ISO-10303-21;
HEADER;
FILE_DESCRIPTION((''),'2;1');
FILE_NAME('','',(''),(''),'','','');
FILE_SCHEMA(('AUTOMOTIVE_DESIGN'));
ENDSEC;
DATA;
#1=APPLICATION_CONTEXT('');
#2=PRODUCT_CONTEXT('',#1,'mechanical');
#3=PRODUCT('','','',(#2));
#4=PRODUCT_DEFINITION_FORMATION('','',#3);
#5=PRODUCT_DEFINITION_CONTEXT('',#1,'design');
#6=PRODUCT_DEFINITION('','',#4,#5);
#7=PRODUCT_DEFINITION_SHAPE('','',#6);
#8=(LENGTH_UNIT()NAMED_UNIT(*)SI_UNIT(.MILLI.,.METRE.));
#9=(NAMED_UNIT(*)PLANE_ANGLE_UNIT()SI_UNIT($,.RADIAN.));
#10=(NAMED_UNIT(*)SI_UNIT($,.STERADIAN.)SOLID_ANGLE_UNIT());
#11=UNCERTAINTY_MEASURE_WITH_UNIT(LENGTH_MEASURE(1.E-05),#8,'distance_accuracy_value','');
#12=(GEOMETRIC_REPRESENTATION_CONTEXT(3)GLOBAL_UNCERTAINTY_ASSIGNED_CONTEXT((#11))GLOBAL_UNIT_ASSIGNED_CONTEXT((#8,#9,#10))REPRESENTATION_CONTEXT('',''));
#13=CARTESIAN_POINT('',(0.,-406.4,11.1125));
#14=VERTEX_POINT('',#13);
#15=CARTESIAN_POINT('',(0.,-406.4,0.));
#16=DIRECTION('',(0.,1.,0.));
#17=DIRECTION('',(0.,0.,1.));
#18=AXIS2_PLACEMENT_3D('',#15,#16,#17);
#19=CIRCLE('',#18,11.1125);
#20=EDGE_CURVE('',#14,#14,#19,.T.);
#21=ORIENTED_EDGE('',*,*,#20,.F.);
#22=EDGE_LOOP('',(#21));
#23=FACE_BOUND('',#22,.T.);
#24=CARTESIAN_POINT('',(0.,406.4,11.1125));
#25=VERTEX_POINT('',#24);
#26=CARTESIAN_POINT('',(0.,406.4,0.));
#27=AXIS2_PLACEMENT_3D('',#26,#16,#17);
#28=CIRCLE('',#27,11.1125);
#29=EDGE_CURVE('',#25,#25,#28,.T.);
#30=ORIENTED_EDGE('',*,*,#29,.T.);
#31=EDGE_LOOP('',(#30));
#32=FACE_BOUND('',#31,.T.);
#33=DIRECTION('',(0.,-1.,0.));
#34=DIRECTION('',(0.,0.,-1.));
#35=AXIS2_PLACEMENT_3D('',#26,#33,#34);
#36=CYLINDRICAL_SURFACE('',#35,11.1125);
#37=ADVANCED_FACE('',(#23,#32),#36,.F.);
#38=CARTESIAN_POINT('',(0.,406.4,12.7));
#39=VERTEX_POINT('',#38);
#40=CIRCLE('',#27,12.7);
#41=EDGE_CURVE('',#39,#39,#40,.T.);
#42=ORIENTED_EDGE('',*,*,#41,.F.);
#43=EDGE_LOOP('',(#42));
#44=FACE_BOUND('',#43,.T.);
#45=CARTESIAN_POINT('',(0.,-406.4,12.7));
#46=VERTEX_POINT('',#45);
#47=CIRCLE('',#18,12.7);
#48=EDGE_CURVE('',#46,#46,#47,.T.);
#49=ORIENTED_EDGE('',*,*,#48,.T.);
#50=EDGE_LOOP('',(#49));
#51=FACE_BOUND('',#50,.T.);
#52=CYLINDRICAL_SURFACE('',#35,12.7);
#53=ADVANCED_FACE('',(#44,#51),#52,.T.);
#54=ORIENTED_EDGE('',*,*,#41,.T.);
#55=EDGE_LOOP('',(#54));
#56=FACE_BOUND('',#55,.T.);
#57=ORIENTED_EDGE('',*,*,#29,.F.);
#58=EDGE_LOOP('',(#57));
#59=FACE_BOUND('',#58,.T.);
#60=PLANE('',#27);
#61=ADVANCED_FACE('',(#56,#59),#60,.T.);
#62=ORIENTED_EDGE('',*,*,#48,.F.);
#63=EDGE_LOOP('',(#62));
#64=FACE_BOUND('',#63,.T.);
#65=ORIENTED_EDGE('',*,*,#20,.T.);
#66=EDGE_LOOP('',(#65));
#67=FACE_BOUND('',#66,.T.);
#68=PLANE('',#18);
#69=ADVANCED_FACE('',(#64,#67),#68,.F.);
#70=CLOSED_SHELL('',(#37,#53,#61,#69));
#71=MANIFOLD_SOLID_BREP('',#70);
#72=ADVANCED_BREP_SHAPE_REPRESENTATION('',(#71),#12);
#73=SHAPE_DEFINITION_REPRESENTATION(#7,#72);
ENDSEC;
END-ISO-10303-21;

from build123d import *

# Parameters (mm, degrees)
SKETCH1_R      = 12.7
SKETCH1_R_2    = 11.1125
EXTRUDE1_DEPTH = 406.4


with BuildPart() as part:
    # Sketch1 → Extrude1 (new body, symmetric)
    with BuildSketch(Plane(origin=(0, 0, 0), x_dir=(1, 0, 0), z_dir=(0, 1, 0))):
        Circle(SKETCH1_R)
        Circle(SKETCH1_R_2, mode=Mode.SUBTRACT)
    extrude(amount=EXTRUDE1_DEPTH, both=True)


solid = part.part
